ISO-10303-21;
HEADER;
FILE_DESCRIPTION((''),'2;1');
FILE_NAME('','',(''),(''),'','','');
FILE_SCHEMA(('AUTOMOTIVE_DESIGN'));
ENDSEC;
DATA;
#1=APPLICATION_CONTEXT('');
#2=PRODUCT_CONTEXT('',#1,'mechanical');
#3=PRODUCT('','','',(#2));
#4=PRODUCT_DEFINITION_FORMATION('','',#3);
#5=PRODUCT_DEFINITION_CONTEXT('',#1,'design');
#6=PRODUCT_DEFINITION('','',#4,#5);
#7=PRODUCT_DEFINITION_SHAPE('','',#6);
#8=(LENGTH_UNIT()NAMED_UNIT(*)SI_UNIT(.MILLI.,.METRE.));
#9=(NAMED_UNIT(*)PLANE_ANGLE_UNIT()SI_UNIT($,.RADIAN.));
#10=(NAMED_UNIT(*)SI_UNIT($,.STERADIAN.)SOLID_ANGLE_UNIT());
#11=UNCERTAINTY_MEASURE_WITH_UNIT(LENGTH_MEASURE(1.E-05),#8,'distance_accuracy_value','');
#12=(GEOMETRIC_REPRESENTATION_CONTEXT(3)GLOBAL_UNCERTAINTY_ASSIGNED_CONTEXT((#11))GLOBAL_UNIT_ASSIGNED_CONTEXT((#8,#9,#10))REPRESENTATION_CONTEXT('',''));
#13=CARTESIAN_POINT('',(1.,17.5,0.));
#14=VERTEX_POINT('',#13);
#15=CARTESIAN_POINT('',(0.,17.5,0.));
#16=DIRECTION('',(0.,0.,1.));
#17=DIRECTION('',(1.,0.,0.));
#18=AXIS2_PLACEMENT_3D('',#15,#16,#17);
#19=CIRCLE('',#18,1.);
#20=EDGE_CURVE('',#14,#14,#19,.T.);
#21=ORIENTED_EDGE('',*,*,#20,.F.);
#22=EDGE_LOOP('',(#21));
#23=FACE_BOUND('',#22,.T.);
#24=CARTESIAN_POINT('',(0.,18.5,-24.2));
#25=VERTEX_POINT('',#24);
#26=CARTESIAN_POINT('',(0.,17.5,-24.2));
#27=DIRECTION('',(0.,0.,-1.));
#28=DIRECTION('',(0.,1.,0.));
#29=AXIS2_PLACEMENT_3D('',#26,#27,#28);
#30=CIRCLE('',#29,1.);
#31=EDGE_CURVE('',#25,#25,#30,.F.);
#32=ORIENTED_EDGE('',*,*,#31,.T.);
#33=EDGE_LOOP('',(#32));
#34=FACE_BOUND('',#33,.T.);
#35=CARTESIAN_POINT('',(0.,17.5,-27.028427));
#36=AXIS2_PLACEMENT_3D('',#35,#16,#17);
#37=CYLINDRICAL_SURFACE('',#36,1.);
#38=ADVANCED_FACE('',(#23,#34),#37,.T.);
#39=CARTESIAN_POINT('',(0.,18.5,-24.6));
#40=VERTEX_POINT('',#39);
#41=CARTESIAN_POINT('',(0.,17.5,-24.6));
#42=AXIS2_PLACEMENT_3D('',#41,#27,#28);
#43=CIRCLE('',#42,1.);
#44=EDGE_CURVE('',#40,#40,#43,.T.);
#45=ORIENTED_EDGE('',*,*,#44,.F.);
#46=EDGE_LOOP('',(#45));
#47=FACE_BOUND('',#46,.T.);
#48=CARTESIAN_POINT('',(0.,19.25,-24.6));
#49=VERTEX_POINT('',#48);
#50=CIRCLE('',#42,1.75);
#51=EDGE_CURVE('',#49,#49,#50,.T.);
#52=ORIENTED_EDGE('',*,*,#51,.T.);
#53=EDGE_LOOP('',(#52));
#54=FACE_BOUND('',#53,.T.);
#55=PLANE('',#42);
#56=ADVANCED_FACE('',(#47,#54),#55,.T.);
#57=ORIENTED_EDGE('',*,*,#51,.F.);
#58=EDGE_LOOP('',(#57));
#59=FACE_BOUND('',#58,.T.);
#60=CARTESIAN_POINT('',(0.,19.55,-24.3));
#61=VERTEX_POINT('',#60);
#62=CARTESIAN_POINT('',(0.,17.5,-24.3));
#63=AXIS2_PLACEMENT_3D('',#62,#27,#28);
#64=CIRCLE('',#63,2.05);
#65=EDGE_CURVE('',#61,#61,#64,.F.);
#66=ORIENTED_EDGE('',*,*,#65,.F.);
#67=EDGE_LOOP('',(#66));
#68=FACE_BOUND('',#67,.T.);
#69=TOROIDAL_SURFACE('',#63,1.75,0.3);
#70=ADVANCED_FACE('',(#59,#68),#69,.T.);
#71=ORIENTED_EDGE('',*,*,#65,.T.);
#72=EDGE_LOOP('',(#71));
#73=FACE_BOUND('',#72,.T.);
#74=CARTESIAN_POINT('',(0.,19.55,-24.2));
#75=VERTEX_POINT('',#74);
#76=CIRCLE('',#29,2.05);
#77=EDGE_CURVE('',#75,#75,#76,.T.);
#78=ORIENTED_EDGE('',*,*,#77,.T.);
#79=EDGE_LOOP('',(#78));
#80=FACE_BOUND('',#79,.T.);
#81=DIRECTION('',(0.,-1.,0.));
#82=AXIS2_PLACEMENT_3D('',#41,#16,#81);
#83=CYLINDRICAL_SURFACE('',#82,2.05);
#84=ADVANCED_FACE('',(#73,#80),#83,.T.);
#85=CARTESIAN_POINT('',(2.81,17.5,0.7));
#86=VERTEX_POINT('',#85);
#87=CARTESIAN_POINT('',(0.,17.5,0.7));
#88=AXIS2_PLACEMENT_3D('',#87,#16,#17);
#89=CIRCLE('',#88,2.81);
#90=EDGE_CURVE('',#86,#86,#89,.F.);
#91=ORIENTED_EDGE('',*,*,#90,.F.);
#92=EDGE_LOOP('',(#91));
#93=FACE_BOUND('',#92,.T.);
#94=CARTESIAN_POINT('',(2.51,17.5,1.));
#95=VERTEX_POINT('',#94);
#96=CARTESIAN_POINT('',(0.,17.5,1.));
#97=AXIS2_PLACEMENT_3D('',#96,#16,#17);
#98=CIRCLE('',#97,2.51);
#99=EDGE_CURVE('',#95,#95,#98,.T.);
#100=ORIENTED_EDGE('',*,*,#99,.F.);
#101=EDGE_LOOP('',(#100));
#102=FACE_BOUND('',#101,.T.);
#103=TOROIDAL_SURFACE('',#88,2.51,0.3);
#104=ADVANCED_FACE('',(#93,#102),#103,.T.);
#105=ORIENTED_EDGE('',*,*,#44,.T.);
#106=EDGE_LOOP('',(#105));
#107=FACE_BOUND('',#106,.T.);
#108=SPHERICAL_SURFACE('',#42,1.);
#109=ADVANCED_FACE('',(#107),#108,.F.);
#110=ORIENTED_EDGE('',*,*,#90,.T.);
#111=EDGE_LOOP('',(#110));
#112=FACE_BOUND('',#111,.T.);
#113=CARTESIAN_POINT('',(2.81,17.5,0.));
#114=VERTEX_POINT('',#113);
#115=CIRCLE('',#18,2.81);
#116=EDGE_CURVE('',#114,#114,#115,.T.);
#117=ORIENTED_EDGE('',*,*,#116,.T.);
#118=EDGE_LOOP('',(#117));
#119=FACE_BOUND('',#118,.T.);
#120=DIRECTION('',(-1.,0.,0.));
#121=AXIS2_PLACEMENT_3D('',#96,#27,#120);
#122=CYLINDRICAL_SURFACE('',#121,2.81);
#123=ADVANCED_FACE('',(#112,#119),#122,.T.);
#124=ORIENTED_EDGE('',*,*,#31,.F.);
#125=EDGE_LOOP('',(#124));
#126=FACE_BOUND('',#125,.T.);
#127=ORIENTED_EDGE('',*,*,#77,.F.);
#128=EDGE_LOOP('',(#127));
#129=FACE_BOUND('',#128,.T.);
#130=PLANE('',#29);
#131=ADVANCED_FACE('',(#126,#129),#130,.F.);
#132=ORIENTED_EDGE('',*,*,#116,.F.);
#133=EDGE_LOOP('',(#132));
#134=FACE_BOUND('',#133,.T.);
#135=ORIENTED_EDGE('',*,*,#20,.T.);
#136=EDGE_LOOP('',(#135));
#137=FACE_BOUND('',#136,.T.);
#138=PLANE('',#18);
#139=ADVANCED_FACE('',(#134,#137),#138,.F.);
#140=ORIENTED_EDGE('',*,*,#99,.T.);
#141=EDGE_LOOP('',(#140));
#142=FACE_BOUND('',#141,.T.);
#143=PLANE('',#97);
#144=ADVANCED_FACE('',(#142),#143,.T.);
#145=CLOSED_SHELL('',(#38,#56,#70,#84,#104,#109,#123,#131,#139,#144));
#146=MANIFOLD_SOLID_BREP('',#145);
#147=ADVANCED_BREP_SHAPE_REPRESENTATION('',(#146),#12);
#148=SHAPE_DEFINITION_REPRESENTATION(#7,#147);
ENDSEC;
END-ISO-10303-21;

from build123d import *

# Parameters (mm, degrees)
SKETCH1_R           = 1
BASE_EXTRUDE_DEPTH  = 24.2
SKETCH2_R           = 2.81
BOSS_EXTRUDE1_DEPTH = 1
FILLET1_R           = 0.3
SKETCH3_R           = 2.05
BOSS_EXTRUDE2_DEPTH = 0.4
FILLET2_R           = 0.3


with BuildPart() as part:
    # Sketch1 → Base-Extrude (new body)
    with BuildSketch(Plane.XY):
        with Locations((0, 17.5)):
            Circle(SKETCH1_R)
    extrude(amount=-BASE_EXTRUDE_DEPTH)

    # Sketch2 → Boss-Extrude1 (add)
    with BuildSketch(Plane.XY):
        with Locations((0, 17.5)):
            Circle(SKETCH2_R)
    extrude(amount=BOSS_EXTRUDE1_DEPTH)

    # Fillet1
    fillet1_edges = [part.edges().sort_by_distance(p)[0] for p in [
        (-2.81, 17.5, 1),
    ]]
    fillet(fillet1_edges, radius=FILLET1_R)

    # Sketch3 → Boss-Extrude2 (add)
    with BuildSketch(Plane(origin=(0, 0, -24.2), x_dir=(-1, 0, 0), z_dir=(0, 0, -1))):
        with Locations((0, 17.5)):
            Circle(SKETCH3_R)
    extrude(amount=BOSS_EXTRUDE2_DEPTH)

    # Sketch4 → Cut-Revolve1 (revolve, cut)
    with BuildSketch(Plane(origin=(0, 0, -24.6), x_dir=(-1, 0, 0), z_dir=(0, 0, -1))):
        with BuildLine():
            Line((0.918394915, 17.104335014), (-0.918394915, 17.895664986))
            ThreePointArc((-0.918394915, 17.895664986), (-0.395664986, 16.581605085), (0.918394915, 17.104335014))
        make_face()
    revolve(axis=Axis((0.918394915, 17.895664986, -24.6), (-0.918394915, -0.395664986, 0)), mode=Mode.SUBTRACT)

    # Fillet2
    fillet2_edges = [part.edges().sort_by_distance(p)[0] for p in [
        (2.05, 17.5, -24.6),
    ]]
    fillet(fillet2_edges, radius=FILLET2_R)


solid = part.part
